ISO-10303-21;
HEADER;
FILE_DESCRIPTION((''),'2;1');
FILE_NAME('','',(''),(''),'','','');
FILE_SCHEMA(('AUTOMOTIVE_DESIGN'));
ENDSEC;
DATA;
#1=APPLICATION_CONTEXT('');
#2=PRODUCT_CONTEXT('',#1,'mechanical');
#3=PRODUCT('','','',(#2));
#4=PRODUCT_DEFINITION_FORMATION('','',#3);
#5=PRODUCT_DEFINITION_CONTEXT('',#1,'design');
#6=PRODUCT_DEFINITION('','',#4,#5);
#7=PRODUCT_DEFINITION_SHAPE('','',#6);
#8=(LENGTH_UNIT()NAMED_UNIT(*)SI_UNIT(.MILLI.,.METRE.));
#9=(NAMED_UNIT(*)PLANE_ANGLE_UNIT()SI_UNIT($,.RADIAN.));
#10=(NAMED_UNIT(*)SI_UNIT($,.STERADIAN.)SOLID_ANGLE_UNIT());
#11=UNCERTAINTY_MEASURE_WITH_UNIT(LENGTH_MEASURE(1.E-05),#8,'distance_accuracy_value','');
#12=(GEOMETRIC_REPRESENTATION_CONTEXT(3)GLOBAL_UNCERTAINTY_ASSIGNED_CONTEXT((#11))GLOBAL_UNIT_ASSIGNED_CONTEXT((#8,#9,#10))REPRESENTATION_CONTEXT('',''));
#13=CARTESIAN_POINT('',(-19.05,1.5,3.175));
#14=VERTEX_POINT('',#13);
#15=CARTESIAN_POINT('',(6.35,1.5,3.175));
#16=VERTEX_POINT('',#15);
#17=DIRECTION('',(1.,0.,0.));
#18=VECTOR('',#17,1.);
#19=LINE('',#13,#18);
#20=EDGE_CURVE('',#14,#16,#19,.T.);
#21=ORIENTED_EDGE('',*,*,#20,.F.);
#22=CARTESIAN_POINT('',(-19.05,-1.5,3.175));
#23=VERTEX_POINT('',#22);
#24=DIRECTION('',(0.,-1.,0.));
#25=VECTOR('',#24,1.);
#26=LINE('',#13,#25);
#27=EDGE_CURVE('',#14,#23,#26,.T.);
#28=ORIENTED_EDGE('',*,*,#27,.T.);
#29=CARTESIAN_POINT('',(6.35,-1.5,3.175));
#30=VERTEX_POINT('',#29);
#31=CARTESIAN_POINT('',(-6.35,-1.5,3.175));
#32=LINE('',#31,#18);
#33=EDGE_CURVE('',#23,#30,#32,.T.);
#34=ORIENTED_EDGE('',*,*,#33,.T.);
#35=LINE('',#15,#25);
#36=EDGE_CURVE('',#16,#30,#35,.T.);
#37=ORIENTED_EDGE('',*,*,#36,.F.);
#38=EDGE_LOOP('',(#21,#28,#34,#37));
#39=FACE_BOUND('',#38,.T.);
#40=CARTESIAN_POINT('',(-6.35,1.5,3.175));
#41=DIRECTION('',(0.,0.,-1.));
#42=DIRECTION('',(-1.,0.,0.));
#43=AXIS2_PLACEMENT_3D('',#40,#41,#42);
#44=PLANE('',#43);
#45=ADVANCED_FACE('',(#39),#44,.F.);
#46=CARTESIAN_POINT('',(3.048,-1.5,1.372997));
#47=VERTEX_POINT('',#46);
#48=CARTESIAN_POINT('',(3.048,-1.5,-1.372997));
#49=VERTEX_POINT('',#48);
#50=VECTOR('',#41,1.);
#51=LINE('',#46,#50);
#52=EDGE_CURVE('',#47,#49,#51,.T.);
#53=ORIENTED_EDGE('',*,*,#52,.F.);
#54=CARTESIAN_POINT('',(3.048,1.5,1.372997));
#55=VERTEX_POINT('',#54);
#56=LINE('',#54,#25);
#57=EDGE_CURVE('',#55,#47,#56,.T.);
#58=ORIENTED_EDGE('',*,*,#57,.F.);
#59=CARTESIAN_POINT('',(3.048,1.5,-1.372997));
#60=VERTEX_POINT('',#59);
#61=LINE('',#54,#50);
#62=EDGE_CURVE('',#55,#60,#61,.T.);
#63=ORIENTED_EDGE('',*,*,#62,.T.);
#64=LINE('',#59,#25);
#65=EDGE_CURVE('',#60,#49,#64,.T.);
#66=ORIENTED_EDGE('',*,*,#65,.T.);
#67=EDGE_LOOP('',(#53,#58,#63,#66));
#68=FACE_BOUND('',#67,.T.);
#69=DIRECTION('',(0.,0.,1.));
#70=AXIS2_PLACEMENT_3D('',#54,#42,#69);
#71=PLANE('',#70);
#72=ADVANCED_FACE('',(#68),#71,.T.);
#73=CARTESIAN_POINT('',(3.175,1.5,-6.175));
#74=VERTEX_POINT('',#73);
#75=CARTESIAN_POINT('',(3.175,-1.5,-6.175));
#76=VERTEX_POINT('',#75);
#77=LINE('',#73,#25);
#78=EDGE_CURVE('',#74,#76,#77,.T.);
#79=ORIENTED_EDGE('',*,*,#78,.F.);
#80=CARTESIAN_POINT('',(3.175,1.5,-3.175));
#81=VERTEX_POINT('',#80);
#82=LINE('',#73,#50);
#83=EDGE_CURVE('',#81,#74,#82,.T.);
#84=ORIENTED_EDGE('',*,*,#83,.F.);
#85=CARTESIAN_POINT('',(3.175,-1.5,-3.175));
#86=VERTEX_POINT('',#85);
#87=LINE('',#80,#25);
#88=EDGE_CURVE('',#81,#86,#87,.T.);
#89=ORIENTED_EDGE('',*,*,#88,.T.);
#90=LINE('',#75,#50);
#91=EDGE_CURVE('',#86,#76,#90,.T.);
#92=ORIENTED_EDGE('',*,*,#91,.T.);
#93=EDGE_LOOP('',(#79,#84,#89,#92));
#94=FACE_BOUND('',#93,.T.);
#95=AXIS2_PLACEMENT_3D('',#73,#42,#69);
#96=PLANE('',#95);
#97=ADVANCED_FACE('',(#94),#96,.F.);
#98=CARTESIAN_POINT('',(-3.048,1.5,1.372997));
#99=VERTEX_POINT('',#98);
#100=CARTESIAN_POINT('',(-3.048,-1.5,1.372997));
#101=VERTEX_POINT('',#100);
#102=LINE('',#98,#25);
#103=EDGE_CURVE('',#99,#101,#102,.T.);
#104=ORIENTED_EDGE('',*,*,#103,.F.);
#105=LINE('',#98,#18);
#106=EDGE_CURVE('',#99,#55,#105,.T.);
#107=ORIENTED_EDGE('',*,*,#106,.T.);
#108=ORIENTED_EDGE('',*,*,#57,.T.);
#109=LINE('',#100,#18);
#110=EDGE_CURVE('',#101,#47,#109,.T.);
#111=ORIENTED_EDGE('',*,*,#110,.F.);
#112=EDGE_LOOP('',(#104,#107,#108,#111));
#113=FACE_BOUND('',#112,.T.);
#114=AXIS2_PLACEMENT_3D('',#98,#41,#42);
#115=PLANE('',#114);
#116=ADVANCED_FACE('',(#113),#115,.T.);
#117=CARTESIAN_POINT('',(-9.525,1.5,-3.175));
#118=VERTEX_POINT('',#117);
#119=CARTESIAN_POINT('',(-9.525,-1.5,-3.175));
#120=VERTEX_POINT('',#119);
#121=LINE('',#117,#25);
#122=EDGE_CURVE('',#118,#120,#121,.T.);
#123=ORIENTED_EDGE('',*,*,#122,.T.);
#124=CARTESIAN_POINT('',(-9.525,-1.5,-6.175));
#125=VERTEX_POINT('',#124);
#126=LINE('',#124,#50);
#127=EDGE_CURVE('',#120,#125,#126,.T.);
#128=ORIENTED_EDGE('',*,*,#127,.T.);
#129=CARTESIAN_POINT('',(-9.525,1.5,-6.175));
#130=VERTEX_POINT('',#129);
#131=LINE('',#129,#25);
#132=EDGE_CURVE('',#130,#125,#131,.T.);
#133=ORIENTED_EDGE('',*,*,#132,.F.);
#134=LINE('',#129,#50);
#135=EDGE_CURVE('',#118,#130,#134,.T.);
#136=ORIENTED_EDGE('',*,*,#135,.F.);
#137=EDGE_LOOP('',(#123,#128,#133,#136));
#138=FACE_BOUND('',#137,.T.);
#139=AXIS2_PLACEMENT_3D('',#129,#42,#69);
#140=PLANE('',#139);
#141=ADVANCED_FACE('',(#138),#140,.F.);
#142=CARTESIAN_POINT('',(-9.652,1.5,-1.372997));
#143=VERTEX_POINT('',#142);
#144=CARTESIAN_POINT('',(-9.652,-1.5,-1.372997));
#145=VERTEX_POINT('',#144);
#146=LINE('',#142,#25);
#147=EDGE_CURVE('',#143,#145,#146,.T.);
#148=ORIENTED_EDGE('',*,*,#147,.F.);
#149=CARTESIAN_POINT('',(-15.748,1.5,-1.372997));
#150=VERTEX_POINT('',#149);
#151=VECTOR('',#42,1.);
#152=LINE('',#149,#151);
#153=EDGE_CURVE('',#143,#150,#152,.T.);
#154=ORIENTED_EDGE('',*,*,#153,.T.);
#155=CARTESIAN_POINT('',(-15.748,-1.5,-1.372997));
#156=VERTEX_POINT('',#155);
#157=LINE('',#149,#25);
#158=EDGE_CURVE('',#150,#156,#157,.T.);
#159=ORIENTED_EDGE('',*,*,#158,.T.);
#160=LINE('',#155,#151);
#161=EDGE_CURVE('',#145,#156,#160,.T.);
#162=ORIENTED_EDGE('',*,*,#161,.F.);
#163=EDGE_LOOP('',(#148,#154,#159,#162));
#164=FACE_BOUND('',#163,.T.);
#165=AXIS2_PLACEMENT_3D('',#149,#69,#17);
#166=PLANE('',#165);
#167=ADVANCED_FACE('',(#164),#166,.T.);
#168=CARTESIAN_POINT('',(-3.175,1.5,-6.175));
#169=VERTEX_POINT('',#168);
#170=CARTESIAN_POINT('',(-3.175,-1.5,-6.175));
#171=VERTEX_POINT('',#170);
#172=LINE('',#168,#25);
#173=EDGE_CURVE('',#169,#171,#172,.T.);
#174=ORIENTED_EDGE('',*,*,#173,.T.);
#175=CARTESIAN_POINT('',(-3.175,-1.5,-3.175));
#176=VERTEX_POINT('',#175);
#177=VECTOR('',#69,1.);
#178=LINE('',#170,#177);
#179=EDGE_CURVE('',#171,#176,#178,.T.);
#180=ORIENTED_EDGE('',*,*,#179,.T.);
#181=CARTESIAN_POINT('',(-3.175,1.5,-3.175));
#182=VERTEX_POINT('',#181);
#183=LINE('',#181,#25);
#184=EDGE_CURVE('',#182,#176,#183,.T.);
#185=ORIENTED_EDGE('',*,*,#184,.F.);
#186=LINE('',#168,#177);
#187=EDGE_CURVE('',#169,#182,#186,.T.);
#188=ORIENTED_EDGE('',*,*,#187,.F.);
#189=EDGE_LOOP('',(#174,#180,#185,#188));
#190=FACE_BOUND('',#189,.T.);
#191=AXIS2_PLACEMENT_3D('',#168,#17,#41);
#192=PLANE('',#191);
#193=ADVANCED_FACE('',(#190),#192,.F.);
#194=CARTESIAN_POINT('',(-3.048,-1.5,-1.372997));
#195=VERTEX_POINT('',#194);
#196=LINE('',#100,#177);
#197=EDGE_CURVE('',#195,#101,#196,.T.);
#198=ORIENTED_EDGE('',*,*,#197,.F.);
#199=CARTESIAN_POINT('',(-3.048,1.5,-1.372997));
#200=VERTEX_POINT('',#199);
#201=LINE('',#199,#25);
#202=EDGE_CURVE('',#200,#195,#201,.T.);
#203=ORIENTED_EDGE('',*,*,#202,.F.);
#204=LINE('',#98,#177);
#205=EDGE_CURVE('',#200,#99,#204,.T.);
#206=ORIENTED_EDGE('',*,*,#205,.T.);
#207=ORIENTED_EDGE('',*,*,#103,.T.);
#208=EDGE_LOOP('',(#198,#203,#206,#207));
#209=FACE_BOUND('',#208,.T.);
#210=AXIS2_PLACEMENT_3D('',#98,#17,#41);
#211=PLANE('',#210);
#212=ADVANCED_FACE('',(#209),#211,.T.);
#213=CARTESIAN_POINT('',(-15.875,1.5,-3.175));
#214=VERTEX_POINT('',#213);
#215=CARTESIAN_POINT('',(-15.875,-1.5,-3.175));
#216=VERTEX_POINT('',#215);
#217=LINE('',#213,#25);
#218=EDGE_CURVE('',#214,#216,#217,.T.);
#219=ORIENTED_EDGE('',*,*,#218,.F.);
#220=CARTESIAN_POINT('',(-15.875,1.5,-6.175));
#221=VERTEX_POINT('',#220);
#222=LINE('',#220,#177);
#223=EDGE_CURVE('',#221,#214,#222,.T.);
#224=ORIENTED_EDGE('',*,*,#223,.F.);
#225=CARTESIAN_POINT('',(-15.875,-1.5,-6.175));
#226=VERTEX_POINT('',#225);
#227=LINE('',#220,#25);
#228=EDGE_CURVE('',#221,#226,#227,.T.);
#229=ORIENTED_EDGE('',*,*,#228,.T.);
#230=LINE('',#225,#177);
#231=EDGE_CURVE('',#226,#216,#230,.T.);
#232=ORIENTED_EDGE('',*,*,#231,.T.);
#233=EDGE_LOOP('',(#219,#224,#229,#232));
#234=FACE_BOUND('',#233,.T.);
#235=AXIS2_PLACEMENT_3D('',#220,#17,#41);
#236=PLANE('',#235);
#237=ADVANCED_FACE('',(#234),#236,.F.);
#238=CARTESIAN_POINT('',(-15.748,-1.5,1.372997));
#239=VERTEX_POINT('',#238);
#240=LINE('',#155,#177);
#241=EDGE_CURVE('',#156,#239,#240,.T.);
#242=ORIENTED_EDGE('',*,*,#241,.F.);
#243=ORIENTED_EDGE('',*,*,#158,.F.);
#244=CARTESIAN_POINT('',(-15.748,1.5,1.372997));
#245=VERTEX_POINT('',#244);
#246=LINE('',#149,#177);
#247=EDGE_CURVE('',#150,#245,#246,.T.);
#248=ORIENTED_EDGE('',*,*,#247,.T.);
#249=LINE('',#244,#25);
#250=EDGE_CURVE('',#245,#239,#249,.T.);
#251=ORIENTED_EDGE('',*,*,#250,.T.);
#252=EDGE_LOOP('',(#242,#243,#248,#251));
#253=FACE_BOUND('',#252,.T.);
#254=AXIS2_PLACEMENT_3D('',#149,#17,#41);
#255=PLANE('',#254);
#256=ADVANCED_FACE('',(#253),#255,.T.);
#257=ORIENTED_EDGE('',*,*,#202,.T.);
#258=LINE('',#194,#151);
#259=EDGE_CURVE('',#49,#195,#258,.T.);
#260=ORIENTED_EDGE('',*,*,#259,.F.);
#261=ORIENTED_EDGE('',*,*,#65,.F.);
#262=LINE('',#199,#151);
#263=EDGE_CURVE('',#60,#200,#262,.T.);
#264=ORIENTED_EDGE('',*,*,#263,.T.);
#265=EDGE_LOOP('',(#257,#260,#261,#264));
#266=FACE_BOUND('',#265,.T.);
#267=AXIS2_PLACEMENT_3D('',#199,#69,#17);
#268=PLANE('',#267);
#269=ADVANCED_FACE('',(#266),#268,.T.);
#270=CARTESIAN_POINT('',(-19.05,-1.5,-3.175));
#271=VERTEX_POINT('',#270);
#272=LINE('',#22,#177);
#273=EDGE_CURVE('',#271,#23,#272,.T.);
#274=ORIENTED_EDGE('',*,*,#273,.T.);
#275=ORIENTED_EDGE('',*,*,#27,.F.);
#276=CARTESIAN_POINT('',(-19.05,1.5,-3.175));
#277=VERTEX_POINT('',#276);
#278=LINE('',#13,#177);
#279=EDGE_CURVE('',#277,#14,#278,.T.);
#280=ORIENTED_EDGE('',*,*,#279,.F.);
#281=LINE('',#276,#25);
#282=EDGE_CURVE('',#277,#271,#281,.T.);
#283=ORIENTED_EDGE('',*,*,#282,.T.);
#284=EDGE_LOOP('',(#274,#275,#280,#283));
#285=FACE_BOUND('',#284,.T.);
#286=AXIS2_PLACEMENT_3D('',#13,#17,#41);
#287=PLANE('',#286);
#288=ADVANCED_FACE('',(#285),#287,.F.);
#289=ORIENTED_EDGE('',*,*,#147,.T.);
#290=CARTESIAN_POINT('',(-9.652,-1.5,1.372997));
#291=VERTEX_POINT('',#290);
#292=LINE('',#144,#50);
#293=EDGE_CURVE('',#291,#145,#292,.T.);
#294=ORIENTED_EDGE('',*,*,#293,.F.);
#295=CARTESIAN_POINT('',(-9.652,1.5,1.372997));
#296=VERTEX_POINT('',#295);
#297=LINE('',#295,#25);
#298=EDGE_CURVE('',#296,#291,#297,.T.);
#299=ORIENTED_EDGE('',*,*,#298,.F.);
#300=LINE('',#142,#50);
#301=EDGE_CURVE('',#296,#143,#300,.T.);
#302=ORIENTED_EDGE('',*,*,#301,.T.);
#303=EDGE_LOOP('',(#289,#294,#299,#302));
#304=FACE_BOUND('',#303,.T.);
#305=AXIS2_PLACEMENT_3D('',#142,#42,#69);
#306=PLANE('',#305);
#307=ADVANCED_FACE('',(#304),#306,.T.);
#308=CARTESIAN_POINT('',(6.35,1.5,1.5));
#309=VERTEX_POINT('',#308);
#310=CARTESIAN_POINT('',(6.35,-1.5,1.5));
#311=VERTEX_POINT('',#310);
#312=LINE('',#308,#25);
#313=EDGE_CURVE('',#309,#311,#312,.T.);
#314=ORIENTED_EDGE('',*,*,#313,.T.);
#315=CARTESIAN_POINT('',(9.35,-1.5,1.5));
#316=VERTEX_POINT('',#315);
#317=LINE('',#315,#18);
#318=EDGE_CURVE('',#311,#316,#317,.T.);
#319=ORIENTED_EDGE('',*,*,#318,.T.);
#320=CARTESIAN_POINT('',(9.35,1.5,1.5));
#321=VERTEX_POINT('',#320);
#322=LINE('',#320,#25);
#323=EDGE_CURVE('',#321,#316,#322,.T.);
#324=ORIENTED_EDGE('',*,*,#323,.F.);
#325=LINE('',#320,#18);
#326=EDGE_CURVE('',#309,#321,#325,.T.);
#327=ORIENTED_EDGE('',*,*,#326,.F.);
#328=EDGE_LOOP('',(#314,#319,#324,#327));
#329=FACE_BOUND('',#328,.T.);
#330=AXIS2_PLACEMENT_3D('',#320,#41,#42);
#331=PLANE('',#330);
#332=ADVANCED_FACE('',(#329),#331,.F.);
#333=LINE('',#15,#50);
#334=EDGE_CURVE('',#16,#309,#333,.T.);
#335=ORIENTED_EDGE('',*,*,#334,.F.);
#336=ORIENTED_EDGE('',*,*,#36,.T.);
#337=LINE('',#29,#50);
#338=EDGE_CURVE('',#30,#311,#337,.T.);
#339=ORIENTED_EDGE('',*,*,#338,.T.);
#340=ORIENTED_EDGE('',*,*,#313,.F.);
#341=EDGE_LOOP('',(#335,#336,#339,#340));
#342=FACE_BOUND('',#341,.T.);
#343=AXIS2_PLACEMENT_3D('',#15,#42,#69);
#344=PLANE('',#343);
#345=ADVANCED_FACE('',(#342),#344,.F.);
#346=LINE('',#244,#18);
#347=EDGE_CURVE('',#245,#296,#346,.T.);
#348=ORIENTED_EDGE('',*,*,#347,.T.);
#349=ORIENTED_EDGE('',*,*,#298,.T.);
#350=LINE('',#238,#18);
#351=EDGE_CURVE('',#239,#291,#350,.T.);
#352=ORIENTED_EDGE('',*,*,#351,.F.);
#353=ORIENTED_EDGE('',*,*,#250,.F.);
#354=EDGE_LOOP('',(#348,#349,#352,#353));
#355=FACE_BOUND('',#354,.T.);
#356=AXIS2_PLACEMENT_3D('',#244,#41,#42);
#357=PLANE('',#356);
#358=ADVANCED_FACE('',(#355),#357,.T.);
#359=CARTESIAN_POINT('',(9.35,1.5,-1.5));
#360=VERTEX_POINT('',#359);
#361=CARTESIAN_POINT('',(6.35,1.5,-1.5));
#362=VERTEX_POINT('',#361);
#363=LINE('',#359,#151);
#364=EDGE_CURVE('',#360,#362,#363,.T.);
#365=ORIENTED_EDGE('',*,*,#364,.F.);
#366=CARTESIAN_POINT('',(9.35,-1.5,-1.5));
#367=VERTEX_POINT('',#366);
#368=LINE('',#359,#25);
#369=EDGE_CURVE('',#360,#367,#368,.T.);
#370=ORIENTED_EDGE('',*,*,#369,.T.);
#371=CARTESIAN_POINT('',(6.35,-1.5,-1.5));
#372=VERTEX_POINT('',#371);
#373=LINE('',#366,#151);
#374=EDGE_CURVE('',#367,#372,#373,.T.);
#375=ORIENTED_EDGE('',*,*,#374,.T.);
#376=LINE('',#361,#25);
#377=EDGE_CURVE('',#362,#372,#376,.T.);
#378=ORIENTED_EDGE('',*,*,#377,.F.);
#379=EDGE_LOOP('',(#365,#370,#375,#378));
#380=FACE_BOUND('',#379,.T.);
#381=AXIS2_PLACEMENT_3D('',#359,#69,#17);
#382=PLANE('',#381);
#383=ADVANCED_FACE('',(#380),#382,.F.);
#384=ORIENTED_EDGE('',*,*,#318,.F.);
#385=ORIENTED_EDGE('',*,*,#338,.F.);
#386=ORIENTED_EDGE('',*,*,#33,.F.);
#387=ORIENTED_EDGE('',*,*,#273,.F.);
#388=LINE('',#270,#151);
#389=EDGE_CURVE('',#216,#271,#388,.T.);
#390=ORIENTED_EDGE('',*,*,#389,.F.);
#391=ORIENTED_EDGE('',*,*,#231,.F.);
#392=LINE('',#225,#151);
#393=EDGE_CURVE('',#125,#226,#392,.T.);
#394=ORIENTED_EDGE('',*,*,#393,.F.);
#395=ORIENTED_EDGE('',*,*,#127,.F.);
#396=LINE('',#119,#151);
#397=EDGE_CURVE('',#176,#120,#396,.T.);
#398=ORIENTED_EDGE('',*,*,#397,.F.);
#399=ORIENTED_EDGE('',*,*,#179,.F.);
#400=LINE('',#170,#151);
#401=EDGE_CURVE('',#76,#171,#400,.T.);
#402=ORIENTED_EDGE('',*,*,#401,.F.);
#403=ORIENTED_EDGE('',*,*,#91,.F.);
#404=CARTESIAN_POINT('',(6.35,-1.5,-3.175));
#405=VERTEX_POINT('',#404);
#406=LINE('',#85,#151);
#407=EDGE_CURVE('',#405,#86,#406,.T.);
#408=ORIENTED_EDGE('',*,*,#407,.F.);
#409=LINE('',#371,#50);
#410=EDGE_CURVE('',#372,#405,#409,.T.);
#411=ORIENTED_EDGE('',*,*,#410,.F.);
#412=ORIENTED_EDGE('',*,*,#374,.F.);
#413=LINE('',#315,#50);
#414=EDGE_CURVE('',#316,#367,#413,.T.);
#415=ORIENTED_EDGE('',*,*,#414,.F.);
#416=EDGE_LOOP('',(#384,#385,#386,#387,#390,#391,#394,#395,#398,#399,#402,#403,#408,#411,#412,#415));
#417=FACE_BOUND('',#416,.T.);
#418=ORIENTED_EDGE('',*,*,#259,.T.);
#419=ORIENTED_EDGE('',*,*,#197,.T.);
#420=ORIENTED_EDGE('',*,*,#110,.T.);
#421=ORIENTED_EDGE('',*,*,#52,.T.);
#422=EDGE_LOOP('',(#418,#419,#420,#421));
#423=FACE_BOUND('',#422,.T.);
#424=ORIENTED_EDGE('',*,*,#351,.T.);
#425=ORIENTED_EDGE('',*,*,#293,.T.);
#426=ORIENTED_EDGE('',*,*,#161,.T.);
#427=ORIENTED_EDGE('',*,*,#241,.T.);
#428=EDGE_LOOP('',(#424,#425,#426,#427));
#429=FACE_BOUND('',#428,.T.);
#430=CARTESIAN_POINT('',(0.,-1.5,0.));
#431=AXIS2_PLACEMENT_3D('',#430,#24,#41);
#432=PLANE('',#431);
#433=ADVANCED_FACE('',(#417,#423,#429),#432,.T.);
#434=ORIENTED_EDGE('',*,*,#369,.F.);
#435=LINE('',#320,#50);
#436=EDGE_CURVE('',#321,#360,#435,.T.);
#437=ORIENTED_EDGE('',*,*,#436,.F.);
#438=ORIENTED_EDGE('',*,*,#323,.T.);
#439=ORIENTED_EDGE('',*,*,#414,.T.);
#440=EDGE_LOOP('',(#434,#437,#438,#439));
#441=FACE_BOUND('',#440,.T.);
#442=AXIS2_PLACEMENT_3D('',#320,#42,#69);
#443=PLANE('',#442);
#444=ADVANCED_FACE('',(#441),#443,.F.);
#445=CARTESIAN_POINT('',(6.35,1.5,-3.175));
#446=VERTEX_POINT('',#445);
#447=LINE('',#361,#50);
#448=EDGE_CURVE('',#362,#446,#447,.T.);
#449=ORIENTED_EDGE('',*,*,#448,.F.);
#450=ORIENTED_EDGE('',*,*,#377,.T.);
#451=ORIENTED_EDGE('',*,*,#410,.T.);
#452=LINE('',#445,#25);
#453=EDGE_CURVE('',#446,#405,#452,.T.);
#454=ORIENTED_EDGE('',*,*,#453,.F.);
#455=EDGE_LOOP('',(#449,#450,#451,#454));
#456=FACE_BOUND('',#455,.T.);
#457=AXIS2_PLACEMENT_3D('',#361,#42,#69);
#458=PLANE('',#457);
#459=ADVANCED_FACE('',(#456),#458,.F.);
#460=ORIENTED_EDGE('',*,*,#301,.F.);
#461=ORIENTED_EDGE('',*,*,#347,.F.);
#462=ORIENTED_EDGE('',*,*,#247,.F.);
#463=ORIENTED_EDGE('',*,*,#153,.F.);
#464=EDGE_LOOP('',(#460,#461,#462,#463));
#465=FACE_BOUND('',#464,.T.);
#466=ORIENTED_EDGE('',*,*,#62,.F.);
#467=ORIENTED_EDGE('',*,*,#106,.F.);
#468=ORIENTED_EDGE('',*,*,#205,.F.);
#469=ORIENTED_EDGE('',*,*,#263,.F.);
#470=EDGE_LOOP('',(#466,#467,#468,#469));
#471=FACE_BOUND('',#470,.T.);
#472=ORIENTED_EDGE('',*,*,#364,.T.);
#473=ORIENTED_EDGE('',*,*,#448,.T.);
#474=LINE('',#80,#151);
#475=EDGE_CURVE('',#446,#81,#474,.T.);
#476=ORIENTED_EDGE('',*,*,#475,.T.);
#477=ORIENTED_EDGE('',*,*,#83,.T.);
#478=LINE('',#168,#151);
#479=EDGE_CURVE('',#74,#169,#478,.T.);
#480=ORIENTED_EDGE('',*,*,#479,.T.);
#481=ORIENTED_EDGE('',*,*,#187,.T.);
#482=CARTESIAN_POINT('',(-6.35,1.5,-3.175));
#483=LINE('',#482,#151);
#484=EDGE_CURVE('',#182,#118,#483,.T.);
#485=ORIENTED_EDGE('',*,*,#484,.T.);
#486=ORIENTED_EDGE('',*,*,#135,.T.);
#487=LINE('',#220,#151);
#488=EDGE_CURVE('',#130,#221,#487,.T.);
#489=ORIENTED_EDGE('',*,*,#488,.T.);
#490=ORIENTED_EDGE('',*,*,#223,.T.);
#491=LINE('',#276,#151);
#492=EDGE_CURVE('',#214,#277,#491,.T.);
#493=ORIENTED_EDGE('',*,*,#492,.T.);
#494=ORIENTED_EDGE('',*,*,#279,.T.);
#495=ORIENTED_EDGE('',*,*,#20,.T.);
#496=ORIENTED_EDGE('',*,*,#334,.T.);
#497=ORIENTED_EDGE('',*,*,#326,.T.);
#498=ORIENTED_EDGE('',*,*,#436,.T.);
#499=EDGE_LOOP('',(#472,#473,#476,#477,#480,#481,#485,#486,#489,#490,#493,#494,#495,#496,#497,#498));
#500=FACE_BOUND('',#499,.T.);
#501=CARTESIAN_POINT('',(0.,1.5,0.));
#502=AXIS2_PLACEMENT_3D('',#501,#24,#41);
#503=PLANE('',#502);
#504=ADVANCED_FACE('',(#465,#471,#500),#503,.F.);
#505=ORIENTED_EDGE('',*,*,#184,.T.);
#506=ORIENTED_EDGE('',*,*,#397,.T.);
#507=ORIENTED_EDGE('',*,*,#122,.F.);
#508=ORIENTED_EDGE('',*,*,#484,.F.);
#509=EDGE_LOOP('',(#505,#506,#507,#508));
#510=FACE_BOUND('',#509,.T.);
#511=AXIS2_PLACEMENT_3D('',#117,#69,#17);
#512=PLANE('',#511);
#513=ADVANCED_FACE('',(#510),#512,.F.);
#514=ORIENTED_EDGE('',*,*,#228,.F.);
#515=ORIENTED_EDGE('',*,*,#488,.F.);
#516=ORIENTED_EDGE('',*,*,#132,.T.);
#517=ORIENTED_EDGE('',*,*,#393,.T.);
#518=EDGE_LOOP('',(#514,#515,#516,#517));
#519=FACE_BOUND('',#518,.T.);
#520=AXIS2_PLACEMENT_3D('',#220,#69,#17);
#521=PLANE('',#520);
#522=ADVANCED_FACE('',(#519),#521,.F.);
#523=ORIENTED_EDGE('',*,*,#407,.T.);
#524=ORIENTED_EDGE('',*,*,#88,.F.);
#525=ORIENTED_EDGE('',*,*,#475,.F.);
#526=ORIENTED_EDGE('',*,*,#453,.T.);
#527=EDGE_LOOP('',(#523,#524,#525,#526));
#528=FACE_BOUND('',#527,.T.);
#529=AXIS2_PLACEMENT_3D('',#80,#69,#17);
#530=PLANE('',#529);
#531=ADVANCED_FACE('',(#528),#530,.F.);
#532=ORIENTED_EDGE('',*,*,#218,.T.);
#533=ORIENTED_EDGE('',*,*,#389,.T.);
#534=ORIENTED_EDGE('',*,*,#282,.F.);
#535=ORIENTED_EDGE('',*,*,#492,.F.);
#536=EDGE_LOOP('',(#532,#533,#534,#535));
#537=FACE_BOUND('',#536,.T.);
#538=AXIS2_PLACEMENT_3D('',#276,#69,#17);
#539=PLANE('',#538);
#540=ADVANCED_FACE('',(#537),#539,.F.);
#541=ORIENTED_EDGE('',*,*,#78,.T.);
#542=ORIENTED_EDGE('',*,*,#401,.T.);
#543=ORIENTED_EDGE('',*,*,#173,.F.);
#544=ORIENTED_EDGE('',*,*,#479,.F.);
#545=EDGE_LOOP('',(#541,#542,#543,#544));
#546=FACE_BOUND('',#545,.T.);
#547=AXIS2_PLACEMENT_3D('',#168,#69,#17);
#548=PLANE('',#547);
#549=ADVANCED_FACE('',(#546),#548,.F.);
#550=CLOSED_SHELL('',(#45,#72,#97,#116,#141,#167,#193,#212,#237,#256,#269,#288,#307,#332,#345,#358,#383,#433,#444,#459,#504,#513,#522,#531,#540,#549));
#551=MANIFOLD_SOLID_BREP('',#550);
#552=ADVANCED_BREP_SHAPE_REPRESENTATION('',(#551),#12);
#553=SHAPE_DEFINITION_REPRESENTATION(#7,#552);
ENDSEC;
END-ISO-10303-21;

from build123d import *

# Parameters (mm, degrees)
SKETCH1_W           = 6.096
SKETCH1_H           = 2.745994
BOSS_EXTRUDE1_DEPTH = 1.5


with BuildPart() as part:
    # Sketch1 → Boss-Extrude1 (new, symmetric)
    with BuildSketch(Plane(origin=(0, 0, 0), x_dir=(1, 0, 0), z_dir=(0, 1, 0))):
        Polygon((3.175, 3.175), (6.35, 3.175), (6.35, 1.5), (9.35, 1.5), (9.35, -1.5), (6.35, -1.5), (6.35, -3.175), (-6.35, -3.175), (-19.05, -3.175), (-19.05, 3.175), (-15.875, 3.175), (-15.875, 6.175), (-9.525, 6.175), (-9.525, 3.175), (-6.35, 3.175), (-3.175, 3.175), (-3.175, 6.175), (3.175, 6.175), align=None)
        Rectangle(SKETCH1_W, SKETCH1_H, mode=Mode.SUBTRACT)
        with Locations((-12.7, 0)):
            Rectangle(SKETCH1_W, SKETCH1_H, mode=Mode.SUBTRACT)
    extrude(amount=BOSS_EXTRUDE1_DEPTH, both=True)


solid = part.part
